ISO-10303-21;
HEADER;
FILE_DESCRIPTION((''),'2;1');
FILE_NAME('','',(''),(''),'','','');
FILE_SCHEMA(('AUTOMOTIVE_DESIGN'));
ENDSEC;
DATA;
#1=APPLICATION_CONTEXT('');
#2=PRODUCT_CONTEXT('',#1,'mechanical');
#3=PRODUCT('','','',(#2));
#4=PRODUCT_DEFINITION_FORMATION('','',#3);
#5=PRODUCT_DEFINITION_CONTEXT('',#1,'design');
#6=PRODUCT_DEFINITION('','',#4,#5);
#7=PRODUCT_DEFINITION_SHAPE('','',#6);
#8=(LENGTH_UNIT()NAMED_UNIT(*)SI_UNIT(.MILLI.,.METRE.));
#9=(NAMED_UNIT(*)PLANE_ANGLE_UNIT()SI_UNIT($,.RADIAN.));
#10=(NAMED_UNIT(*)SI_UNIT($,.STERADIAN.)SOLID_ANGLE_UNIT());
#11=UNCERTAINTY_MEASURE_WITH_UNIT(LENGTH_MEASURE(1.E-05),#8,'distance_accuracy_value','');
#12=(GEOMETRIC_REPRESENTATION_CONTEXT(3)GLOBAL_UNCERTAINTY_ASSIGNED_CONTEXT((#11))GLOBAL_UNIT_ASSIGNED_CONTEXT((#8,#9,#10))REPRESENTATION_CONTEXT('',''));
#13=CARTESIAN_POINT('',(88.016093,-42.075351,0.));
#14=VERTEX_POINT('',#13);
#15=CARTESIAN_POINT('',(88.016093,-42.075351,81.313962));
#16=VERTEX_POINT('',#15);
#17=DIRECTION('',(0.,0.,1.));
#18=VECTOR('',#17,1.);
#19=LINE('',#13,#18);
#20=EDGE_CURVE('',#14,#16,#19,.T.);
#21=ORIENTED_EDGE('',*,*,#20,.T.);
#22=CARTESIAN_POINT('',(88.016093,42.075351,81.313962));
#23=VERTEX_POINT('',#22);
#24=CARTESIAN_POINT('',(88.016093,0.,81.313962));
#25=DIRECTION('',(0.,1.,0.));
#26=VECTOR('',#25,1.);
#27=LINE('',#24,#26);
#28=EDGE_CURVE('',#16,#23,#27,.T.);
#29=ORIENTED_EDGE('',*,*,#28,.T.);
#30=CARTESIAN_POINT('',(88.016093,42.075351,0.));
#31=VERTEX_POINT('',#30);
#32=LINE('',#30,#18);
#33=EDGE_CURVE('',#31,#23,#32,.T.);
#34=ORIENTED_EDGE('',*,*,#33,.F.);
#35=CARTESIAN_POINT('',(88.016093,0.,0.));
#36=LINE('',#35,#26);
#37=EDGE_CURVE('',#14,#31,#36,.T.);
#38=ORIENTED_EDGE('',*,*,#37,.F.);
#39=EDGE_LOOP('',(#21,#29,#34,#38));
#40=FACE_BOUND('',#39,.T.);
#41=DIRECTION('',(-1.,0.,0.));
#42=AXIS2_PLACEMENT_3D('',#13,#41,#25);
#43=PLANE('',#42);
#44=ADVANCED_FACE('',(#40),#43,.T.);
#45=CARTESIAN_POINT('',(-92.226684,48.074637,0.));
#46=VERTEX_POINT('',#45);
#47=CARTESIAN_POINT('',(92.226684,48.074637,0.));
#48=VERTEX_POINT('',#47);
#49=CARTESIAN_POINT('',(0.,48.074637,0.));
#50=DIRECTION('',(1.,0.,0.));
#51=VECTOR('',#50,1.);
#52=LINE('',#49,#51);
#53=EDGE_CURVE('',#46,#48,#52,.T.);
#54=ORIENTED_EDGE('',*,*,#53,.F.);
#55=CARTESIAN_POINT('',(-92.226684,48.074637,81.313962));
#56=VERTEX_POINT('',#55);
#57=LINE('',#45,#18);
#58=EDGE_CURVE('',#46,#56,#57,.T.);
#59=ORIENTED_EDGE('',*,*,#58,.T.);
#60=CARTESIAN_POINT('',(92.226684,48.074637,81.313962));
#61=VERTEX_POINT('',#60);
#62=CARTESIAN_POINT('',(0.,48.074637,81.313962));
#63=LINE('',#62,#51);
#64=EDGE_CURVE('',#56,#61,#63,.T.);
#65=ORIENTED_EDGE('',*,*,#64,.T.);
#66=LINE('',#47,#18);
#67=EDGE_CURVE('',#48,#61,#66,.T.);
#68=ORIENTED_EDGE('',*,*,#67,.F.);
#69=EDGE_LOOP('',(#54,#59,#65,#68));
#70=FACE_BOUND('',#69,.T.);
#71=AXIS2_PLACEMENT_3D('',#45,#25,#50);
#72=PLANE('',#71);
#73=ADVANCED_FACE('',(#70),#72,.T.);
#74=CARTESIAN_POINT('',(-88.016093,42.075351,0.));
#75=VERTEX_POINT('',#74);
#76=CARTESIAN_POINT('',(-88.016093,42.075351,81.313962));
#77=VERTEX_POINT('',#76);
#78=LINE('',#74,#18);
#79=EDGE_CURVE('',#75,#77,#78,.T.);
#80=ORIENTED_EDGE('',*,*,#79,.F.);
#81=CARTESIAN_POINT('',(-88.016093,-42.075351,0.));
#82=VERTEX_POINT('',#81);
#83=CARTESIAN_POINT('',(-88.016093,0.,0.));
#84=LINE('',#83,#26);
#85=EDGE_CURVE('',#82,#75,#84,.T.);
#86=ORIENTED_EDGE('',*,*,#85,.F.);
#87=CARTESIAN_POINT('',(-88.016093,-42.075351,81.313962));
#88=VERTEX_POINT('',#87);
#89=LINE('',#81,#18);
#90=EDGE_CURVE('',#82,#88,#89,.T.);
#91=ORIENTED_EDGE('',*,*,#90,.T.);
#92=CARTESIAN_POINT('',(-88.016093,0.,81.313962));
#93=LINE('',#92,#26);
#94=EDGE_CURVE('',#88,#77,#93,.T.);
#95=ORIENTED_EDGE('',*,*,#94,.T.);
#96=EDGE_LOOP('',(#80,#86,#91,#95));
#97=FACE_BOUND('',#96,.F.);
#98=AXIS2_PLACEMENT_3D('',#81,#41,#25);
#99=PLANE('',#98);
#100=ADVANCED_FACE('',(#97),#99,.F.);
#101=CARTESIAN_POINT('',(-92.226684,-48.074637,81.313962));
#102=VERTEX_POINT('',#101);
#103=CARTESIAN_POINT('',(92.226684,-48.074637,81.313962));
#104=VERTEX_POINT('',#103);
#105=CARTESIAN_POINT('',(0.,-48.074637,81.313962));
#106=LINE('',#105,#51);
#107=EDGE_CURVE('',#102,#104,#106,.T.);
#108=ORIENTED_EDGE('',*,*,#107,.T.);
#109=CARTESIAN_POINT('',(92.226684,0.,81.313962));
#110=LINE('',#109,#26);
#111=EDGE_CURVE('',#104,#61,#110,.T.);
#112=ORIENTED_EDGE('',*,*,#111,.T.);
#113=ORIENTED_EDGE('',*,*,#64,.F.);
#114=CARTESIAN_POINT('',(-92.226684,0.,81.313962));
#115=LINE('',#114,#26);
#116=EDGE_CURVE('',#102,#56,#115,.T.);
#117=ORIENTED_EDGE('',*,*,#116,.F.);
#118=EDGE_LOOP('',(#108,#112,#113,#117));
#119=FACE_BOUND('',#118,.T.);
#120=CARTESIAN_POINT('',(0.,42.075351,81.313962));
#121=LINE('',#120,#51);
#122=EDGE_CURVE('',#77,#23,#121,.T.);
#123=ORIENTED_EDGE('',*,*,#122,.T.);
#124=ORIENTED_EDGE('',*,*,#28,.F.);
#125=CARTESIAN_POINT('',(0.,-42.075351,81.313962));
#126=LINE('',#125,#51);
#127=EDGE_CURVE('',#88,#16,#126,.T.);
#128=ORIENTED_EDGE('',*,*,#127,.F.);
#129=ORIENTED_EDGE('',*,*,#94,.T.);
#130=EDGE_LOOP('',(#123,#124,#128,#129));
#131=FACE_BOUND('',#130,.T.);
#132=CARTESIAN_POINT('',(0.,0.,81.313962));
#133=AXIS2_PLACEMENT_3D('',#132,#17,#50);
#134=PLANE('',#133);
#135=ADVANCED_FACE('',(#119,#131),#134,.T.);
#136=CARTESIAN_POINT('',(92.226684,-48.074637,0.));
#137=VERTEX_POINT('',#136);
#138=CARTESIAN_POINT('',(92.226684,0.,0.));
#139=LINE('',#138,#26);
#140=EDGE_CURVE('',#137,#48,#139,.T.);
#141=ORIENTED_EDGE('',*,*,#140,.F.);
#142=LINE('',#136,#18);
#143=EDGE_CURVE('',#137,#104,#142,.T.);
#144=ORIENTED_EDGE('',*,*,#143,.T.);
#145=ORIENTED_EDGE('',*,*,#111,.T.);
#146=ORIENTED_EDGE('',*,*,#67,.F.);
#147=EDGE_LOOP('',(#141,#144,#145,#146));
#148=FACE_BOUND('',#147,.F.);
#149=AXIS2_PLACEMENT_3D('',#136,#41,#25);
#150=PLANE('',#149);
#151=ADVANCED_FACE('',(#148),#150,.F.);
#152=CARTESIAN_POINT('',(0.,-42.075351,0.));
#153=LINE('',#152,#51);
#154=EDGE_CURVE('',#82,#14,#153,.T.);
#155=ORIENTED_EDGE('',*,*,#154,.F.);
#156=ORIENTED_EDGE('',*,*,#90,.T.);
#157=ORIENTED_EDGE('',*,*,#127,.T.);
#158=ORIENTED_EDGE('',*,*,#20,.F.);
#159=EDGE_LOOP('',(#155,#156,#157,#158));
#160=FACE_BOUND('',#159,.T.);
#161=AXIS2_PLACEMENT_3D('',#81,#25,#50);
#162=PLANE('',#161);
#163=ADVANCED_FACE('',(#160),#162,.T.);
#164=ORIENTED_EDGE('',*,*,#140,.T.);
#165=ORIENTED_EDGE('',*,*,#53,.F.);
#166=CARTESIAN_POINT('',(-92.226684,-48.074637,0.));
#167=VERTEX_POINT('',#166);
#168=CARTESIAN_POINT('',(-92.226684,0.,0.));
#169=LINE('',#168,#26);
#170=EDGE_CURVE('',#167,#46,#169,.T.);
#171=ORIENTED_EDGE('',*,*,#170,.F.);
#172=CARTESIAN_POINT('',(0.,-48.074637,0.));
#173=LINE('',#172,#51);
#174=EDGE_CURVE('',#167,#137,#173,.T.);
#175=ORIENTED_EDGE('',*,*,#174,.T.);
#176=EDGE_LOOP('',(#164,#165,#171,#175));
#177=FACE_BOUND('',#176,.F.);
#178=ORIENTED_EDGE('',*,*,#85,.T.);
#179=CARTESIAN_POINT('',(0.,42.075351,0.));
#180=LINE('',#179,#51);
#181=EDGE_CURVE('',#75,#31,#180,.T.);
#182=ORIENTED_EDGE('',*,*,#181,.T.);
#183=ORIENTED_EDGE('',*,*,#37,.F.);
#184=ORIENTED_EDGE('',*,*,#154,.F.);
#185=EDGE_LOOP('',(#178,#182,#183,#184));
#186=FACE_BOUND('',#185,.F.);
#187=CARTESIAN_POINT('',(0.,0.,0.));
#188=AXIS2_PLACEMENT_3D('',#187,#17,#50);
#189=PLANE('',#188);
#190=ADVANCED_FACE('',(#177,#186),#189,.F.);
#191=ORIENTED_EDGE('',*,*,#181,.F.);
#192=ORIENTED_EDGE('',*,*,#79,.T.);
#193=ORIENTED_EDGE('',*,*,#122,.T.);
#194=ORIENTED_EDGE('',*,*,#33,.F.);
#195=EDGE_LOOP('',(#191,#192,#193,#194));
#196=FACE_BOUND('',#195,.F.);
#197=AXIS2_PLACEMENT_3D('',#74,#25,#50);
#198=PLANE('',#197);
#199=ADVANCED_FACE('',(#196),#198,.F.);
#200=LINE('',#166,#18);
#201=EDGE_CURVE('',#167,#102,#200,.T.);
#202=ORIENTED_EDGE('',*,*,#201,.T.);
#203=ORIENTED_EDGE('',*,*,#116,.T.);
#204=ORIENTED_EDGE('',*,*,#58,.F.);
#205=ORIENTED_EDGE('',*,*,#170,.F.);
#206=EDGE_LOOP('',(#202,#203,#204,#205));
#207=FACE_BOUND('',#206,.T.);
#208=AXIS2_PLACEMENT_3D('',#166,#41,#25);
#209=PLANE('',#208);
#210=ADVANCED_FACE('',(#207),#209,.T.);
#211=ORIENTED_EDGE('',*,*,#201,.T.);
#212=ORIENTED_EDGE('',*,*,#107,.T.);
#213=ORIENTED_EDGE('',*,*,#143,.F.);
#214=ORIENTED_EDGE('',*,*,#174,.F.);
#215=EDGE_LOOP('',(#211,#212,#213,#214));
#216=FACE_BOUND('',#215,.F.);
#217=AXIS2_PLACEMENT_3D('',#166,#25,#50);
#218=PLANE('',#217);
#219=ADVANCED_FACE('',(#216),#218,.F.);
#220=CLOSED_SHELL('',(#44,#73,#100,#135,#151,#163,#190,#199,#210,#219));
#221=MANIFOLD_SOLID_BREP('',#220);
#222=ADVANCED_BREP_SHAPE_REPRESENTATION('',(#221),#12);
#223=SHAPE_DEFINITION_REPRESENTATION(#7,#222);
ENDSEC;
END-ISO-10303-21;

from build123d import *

# Parameters (mm, degrees)
F1_W     = 184.453368
F1_H     = 96.149274
F1_W_2   = 176.032186
F1_H_2   = 84.150702
F2_DEPTH = 81.313962


with BuildPart() as f2:
    # F1 (on face) → F2 (new body)
    with BuildSketch(Plane.XY):
        Rectangle(F1_W, F1_H)
        Rectangle(F1_W_2, F1_H_2, mode=Mode.SUBTRACT)
    extrude(amount=F2_DEPTH)


solid = f2.part
